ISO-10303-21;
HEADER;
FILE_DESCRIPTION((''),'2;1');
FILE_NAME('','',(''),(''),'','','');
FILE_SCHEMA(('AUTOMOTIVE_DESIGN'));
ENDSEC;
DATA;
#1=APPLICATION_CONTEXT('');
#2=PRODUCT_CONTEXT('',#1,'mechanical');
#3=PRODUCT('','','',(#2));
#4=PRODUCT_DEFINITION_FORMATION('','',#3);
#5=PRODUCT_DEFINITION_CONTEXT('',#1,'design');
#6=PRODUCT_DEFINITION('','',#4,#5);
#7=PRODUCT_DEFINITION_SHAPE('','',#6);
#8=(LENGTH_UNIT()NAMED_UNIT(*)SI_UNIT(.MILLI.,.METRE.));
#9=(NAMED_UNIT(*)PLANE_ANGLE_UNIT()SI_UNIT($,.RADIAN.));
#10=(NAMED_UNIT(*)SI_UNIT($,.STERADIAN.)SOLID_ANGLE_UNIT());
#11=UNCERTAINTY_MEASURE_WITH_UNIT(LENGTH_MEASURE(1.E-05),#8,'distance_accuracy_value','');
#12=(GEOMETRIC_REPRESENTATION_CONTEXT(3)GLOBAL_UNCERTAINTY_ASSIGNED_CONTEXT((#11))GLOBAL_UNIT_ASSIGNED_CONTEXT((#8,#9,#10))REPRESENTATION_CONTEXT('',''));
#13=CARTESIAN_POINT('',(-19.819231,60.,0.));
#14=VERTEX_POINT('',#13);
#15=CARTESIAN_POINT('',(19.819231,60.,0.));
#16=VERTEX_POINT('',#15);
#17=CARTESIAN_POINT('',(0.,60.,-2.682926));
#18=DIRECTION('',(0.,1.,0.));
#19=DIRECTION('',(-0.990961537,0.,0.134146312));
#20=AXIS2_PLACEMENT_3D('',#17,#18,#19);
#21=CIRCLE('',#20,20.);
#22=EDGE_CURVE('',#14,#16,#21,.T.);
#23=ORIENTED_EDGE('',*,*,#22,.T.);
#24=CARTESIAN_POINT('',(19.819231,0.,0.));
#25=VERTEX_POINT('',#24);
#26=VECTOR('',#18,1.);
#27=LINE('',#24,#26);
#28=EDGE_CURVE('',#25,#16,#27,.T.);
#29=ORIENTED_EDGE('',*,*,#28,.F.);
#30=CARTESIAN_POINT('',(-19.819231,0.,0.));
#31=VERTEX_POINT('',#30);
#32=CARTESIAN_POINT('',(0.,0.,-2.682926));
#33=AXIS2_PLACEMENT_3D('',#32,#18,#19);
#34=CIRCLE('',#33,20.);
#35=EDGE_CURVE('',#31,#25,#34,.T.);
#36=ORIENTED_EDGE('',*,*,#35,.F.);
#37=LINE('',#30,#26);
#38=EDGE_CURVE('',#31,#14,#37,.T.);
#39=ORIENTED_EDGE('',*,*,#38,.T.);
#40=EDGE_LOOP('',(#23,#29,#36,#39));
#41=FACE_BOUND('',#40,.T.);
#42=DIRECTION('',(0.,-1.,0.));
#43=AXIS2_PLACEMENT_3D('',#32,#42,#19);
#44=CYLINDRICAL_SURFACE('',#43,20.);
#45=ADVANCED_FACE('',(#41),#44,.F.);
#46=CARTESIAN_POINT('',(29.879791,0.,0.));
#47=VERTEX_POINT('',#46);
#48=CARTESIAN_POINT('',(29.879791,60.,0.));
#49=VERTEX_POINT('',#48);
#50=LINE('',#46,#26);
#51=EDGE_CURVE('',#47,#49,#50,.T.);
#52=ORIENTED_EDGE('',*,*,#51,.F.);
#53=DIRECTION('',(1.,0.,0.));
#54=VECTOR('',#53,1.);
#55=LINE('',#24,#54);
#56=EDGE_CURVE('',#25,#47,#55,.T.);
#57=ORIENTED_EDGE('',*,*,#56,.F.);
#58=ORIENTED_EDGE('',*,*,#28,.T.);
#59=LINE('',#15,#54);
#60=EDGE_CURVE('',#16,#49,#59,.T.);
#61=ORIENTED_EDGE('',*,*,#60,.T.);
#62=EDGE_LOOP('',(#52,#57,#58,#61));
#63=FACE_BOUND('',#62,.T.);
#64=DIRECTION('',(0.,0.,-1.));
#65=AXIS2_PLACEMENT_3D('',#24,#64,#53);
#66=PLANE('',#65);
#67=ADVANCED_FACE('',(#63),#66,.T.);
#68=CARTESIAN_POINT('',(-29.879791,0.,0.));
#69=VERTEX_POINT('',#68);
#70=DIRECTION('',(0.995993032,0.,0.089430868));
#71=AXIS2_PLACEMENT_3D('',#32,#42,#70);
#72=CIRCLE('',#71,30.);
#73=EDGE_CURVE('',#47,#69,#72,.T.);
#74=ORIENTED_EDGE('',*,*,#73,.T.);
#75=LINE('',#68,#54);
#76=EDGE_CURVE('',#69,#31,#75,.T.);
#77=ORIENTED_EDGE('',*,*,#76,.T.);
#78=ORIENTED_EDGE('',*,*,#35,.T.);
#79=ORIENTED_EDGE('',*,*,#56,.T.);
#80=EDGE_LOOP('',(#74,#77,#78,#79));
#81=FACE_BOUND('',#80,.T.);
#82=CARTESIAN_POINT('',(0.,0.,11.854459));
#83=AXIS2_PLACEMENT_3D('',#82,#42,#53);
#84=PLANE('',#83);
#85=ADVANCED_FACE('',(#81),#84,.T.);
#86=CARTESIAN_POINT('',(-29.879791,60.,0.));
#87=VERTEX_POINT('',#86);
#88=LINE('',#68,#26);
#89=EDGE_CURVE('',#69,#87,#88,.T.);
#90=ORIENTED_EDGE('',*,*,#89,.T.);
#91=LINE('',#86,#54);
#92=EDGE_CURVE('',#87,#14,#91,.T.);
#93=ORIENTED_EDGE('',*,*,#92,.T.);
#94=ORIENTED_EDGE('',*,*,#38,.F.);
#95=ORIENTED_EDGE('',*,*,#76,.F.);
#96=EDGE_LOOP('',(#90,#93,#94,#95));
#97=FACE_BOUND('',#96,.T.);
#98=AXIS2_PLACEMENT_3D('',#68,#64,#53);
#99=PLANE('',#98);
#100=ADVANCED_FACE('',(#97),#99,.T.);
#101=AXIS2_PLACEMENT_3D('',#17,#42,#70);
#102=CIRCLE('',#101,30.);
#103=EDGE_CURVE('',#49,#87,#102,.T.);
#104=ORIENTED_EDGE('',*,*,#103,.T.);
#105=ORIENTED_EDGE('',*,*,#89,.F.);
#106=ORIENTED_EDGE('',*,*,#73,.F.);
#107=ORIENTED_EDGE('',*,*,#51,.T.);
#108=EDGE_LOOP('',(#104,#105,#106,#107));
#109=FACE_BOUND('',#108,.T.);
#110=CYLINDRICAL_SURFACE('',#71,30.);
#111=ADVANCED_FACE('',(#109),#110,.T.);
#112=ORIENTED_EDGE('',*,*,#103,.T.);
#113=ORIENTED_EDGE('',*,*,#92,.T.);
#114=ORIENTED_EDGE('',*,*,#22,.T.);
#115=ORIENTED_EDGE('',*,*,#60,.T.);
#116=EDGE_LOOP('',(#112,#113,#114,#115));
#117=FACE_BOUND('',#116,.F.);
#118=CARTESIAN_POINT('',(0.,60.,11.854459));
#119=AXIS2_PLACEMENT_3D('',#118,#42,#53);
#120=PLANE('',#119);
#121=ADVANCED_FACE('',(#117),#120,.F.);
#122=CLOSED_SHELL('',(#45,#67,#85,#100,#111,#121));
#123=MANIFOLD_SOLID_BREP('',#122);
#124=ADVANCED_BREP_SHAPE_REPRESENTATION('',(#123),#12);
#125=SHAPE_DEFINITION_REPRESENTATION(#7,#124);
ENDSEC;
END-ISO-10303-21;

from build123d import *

# Parameters (mm, degrees)
F1_DEPTH = 60


with BuildPart() as f1:
    # F0 (on Front) → F1 (new body)
    with BuildSketch(Plane.XZ):
        with BuildLine():
            ThreePointArc((-19.819231, 0), (0, 17.317074), (19.819231, 0))
            Line((19.819231, 0), (29.879791, 0))
            ThreePointArc((29.879791, 0), (0, 27.317074), (-29.879791, 0))
            Line((-29.879791, 0), (-19.819231, 0))
        make_face()
    extrude(amount=-F1_DEPTH)


solid = f1.part
